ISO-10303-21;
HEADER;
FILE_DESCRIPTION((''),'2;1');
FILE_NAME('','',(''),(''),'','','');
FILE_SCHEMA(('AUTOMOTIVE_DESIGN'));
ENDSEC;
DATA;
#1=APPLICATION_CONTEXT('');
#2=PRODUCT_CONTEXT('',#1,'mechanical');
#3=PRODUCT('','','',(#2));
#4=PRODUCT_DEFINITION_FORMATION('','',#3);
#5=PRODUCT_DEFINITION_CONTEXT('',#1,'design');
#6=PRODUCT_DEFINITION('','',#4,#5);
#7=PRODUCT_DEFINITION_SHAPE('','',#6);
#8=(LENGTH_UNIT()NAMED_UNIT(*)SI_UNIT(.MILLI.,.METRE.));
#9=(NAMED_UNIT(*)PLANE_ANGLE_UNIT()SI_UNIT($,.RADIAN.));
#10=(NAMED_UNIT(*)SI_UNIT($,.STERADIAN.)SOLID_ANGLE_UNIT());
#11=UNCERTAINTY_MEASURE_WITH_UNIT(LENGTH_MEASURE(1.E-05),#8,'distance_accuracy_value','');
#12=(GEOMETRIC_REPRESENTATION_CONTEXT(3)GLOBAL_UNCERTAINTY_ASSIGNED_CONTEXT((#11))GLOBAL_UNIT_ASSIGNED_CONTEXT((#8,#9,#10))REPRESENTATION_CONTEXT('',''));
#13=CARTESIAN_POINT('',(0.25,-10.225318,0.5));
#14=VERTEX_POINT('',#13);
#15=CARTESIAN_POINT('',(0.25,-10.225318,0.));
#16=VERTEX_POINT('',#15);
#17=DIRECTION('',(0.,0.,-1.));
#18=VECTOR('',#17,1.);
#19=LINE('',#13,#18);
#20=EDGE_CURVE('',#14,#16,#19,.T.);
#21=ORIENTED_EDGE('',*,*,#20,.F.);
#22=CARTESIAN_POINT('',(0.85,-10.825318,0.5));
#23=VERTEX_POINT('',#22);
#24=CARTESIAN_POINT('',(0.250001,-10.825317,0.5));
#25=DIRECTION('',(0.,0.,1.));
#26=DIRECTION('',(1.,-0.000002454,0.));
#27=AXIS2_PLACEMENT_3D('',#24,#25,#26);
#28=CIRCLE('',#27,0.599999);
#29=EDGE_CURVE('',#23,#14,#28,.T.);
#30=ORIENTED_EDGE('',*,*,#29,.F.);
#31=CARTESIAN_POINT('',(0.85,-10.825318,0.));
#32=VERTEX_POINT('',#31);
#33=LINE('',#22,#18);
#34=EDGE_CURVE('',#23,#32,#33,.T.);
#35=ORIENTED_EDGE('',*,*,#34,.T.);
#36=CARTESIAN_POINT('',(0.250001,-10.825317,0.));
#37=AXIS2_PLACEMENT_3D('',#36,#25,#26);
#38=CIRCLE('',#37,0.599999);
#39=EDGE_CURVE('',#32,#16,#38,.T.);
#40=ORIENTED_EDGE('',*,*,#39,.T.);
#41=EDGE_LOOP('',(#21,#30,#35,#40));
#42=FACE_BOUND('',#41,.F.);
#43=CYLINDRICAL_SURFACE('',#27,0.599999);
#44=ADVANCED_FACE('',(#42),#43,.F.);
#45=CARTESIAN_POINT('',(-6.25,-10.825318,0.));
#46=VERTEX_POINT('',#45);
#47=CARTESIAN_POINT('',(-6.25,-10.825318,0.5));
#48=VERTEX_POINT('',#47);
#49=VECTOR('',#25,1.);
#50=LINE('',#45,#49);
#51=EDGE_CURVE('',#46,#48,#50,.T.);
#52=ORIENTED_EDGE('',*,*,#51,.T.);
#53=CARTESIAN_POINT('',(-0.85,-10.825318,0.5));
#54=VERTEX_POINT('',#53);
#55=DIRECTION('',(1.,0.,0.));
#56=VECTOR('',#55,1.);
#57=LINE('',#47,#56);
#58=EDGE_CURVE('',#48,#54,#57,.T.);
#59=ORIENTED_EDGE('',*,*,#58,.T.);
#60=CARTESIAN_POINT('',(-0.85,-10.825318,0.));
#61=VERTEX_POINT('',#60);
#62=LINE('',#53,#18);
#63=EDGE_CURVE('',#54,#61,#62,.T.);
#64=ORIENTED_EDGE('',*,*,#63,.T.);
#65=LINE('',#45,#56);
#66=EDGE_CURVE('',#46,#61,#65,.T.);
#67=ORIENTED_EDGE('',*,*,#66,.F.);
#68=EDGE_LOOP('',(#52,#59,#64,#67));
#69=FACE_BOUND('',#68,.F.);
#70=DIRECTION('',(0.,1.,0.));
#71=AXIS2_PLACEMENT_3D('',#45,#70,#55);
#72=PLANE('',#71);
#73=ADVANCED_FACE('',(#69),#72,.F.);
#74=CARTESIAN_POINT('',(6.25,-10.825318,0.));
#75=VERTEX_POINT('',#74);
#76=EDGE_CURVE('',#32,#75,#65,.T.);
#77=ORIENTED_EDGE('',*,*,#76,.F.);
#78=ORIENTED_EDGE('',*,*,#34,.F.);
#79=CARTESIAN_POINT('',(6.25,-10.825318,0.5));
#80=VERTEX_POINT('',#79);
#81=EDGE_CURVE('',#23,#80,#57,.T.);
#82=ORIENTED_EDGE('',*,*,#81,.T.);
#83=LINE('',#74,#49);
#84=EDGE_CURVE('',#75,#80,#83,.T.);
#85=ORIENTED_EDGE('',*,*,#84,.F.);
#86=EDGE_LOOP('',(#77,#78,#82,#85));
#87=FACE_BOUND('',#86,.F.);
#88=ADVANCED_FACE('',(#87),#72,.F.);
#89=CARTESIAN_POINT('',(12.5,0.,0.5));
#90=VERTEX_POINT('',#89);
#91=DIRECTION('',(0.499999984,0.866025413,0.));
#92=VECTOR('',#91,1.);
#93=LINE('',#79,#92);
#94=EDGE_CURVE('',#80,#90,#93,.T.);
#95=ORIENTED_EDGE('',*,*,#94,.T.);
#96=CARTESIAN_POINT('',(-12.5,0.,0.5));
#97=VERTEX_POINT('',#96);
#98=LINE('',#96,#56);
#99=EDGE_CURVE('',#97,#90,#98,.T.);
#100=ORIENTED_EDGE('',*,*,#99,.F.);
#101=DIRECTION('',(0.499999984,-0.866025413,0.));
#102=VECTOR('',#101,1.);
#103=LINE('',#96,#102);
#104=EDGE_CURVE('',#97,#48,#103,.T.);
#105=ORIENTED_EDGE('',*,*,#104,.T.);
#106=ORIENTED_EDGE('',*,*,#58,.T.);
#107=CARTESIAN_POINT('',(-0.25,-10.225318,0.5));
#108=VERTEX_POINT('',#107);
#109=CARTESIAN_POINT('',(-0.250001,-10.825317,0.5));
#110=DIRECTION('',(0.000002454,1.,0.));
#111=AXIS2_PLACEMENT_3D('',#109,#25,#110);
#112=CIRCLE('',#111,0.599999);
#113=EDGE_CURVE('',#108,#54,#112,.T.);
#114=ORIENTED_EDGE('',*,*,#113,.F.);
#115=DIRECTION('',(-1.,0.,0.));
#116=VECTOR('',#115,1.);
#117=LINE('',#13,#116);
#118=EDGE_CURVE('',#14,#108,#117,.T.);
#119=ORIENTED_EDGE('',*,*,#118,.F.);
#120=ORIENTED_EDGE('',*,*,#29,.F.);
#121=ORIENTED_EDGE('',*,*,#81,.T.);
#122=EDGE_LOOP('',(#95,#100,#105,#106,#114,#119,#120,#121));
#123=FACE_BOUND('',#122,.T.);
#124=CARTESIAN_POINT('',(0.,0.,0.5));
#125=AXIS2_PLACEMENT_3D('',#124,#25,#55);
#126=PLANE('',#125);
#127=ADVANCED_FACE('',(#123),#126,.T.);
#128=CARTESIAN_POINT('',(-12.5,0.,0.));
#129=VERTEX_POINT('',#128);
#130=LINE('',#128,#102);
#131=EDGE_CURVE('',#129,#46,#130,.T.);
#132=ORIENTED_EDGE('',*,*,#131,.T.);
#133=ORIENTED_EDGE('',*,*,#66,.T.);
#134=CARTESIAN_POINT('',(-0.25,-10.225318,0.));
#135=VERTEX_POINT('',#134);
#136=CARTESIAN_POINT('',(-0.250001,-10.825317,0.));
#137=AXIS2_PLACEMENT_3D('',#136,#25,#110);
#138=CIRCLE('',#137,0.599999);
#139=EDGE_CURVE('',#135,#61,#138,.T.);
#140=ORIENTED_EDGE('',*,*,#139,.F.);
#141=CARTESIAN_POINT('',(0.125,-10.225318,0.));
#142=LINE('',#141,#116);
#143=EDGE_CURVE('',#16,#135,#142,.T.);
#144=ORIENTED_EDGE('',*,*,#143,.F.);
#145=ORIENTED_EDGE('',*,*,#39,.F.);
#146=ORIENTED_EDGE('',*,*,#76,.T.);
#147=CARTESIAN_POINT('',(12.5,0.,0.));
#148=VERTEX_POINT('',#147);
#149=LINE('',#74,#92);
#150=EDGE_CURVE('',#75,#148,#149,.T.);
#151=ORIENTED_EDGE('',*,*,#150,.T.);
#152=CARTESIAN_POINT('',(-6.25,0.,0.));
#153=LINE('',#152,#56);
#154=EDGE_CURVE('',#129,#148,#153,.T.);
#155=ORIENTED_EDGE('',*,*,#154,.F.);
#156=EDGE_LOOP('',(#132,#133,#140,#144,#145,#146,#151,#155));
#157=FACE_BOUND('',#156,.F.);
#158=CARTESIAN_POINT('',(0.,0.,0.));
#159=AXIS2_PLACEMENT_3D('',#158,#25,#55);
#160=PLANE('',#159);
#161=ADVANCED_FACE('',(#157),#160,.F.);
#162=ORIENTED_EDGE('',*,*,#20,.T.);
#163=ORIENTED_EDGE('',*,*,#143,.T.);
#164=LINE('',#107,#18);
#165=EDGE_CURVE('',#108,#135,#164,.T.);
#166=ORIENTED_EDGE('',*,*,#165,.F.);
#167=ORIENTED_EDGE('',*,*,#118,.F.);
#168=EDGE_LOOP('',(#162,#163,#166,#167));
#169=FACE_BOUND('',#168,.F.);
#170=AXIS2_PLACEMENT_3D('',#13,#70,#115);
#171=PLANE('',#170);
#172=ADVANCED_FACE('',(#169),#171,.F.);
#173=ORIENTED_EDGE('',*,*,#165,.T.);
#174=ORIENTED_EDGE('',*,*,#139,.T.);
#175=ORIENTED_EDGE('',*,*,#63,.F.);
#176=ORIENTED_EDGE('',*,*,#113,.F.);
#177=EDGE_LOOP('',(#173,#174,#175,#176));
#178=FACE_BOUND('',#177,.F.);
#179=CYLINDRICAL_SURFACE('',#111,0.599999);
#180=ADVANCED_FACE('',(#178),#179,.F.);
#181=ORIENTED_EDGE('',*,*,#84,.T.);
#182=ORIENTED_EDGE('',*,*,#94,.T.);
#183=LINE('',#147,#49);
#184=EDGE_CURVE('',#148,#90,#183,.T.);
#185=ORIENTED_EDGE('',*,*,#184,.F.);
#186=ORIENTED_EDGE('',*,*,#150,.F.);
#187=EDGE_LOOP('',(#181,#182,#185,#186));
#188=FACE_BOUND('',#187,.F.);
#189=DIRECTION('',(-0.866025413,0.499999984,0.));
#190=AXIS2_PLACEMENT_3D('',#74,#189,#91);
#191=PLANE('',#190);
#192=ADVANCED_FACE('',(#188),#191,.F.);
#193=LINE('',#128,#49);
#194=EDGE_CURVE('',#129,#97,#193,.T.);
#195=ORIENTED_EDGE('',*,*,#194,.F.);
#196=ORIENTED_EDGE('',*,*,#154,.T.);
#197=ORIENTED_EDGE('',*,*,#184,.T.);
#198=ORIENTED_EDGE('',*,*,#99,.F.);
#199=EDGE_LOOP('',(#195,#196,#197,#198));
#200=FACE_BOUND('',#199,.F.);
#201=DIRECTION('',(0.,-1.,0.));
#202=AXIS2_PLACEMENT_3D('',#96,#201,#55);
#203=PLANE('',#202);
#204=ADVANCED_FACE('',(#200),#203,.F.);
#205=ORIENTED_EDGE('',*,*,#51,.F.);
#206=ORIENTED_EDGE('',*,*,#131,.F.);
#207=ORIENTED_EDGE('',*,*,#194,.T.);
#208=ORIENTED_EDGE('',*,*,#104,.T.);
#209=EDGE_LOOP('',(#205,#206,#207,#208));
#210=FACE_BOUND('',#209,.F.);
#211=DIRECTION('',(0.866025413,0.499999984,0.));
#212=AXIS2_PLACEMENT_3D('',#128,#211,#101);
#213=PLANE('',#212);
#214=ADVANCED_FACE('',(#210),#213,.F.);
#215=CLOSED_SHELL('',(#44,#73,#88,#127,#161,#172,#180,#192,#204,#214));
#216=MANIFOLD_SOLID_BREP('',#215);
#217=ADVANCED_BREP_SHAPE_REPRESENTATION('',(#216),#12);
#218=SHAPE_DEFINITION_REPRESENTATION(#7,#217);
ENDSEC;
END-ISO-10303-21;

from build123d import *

# Parameters (mm, degrees)
F1_DEPTH = 0.5
F3_DEPTH = 0.501
F5_DEPTH = 0.501


with BuildPart() as f1:
    # F0 (on Top) → F1 (new body)
    with BuildSketch(Plane.XY):
        Polygon((6.25, -10.825318), (12.5, 0), (6.25, 10.825318), (-6.25, 10.825318), (-12.5, 0), (-6.25, -10.825318), align=None)
    extrude(amount=F1_DEPTH)

    # F2 (on face) → F3 (cut, through all)
    with BuildSketch(Plane.XY.offset(0.5)):
        with BuildLine():
            ThreePointArc((0.85, -10.825318), (0.674264, -10.401053), (0.25, -10.225318))
            Line((0.25, -10.225318), (-0.25, -10.225318))
            ThreePointArc((-0.25, -10.225318), (-0.674264, -10.401053), (-0.85, -10.825318))
            Line((-0.85, -10.825318), (0.85, -10.825318))
        make_face()
    extrude(amount=-F3_DEPTH, mode=Mode.SUBTRACT)

    # F4 (on face) → F5 (cut, through all)
    with BuildSketch(Plane.XY.offset(0.5)):
        Polygon((-6.25, 10.825318), (-12.5, 0), (12.5, 0), (6.25, 10.825318), align=None)
    extrude(amount=-F5_DEPTH, mode=Mode.SUBTRACT)


solid = f1.part
